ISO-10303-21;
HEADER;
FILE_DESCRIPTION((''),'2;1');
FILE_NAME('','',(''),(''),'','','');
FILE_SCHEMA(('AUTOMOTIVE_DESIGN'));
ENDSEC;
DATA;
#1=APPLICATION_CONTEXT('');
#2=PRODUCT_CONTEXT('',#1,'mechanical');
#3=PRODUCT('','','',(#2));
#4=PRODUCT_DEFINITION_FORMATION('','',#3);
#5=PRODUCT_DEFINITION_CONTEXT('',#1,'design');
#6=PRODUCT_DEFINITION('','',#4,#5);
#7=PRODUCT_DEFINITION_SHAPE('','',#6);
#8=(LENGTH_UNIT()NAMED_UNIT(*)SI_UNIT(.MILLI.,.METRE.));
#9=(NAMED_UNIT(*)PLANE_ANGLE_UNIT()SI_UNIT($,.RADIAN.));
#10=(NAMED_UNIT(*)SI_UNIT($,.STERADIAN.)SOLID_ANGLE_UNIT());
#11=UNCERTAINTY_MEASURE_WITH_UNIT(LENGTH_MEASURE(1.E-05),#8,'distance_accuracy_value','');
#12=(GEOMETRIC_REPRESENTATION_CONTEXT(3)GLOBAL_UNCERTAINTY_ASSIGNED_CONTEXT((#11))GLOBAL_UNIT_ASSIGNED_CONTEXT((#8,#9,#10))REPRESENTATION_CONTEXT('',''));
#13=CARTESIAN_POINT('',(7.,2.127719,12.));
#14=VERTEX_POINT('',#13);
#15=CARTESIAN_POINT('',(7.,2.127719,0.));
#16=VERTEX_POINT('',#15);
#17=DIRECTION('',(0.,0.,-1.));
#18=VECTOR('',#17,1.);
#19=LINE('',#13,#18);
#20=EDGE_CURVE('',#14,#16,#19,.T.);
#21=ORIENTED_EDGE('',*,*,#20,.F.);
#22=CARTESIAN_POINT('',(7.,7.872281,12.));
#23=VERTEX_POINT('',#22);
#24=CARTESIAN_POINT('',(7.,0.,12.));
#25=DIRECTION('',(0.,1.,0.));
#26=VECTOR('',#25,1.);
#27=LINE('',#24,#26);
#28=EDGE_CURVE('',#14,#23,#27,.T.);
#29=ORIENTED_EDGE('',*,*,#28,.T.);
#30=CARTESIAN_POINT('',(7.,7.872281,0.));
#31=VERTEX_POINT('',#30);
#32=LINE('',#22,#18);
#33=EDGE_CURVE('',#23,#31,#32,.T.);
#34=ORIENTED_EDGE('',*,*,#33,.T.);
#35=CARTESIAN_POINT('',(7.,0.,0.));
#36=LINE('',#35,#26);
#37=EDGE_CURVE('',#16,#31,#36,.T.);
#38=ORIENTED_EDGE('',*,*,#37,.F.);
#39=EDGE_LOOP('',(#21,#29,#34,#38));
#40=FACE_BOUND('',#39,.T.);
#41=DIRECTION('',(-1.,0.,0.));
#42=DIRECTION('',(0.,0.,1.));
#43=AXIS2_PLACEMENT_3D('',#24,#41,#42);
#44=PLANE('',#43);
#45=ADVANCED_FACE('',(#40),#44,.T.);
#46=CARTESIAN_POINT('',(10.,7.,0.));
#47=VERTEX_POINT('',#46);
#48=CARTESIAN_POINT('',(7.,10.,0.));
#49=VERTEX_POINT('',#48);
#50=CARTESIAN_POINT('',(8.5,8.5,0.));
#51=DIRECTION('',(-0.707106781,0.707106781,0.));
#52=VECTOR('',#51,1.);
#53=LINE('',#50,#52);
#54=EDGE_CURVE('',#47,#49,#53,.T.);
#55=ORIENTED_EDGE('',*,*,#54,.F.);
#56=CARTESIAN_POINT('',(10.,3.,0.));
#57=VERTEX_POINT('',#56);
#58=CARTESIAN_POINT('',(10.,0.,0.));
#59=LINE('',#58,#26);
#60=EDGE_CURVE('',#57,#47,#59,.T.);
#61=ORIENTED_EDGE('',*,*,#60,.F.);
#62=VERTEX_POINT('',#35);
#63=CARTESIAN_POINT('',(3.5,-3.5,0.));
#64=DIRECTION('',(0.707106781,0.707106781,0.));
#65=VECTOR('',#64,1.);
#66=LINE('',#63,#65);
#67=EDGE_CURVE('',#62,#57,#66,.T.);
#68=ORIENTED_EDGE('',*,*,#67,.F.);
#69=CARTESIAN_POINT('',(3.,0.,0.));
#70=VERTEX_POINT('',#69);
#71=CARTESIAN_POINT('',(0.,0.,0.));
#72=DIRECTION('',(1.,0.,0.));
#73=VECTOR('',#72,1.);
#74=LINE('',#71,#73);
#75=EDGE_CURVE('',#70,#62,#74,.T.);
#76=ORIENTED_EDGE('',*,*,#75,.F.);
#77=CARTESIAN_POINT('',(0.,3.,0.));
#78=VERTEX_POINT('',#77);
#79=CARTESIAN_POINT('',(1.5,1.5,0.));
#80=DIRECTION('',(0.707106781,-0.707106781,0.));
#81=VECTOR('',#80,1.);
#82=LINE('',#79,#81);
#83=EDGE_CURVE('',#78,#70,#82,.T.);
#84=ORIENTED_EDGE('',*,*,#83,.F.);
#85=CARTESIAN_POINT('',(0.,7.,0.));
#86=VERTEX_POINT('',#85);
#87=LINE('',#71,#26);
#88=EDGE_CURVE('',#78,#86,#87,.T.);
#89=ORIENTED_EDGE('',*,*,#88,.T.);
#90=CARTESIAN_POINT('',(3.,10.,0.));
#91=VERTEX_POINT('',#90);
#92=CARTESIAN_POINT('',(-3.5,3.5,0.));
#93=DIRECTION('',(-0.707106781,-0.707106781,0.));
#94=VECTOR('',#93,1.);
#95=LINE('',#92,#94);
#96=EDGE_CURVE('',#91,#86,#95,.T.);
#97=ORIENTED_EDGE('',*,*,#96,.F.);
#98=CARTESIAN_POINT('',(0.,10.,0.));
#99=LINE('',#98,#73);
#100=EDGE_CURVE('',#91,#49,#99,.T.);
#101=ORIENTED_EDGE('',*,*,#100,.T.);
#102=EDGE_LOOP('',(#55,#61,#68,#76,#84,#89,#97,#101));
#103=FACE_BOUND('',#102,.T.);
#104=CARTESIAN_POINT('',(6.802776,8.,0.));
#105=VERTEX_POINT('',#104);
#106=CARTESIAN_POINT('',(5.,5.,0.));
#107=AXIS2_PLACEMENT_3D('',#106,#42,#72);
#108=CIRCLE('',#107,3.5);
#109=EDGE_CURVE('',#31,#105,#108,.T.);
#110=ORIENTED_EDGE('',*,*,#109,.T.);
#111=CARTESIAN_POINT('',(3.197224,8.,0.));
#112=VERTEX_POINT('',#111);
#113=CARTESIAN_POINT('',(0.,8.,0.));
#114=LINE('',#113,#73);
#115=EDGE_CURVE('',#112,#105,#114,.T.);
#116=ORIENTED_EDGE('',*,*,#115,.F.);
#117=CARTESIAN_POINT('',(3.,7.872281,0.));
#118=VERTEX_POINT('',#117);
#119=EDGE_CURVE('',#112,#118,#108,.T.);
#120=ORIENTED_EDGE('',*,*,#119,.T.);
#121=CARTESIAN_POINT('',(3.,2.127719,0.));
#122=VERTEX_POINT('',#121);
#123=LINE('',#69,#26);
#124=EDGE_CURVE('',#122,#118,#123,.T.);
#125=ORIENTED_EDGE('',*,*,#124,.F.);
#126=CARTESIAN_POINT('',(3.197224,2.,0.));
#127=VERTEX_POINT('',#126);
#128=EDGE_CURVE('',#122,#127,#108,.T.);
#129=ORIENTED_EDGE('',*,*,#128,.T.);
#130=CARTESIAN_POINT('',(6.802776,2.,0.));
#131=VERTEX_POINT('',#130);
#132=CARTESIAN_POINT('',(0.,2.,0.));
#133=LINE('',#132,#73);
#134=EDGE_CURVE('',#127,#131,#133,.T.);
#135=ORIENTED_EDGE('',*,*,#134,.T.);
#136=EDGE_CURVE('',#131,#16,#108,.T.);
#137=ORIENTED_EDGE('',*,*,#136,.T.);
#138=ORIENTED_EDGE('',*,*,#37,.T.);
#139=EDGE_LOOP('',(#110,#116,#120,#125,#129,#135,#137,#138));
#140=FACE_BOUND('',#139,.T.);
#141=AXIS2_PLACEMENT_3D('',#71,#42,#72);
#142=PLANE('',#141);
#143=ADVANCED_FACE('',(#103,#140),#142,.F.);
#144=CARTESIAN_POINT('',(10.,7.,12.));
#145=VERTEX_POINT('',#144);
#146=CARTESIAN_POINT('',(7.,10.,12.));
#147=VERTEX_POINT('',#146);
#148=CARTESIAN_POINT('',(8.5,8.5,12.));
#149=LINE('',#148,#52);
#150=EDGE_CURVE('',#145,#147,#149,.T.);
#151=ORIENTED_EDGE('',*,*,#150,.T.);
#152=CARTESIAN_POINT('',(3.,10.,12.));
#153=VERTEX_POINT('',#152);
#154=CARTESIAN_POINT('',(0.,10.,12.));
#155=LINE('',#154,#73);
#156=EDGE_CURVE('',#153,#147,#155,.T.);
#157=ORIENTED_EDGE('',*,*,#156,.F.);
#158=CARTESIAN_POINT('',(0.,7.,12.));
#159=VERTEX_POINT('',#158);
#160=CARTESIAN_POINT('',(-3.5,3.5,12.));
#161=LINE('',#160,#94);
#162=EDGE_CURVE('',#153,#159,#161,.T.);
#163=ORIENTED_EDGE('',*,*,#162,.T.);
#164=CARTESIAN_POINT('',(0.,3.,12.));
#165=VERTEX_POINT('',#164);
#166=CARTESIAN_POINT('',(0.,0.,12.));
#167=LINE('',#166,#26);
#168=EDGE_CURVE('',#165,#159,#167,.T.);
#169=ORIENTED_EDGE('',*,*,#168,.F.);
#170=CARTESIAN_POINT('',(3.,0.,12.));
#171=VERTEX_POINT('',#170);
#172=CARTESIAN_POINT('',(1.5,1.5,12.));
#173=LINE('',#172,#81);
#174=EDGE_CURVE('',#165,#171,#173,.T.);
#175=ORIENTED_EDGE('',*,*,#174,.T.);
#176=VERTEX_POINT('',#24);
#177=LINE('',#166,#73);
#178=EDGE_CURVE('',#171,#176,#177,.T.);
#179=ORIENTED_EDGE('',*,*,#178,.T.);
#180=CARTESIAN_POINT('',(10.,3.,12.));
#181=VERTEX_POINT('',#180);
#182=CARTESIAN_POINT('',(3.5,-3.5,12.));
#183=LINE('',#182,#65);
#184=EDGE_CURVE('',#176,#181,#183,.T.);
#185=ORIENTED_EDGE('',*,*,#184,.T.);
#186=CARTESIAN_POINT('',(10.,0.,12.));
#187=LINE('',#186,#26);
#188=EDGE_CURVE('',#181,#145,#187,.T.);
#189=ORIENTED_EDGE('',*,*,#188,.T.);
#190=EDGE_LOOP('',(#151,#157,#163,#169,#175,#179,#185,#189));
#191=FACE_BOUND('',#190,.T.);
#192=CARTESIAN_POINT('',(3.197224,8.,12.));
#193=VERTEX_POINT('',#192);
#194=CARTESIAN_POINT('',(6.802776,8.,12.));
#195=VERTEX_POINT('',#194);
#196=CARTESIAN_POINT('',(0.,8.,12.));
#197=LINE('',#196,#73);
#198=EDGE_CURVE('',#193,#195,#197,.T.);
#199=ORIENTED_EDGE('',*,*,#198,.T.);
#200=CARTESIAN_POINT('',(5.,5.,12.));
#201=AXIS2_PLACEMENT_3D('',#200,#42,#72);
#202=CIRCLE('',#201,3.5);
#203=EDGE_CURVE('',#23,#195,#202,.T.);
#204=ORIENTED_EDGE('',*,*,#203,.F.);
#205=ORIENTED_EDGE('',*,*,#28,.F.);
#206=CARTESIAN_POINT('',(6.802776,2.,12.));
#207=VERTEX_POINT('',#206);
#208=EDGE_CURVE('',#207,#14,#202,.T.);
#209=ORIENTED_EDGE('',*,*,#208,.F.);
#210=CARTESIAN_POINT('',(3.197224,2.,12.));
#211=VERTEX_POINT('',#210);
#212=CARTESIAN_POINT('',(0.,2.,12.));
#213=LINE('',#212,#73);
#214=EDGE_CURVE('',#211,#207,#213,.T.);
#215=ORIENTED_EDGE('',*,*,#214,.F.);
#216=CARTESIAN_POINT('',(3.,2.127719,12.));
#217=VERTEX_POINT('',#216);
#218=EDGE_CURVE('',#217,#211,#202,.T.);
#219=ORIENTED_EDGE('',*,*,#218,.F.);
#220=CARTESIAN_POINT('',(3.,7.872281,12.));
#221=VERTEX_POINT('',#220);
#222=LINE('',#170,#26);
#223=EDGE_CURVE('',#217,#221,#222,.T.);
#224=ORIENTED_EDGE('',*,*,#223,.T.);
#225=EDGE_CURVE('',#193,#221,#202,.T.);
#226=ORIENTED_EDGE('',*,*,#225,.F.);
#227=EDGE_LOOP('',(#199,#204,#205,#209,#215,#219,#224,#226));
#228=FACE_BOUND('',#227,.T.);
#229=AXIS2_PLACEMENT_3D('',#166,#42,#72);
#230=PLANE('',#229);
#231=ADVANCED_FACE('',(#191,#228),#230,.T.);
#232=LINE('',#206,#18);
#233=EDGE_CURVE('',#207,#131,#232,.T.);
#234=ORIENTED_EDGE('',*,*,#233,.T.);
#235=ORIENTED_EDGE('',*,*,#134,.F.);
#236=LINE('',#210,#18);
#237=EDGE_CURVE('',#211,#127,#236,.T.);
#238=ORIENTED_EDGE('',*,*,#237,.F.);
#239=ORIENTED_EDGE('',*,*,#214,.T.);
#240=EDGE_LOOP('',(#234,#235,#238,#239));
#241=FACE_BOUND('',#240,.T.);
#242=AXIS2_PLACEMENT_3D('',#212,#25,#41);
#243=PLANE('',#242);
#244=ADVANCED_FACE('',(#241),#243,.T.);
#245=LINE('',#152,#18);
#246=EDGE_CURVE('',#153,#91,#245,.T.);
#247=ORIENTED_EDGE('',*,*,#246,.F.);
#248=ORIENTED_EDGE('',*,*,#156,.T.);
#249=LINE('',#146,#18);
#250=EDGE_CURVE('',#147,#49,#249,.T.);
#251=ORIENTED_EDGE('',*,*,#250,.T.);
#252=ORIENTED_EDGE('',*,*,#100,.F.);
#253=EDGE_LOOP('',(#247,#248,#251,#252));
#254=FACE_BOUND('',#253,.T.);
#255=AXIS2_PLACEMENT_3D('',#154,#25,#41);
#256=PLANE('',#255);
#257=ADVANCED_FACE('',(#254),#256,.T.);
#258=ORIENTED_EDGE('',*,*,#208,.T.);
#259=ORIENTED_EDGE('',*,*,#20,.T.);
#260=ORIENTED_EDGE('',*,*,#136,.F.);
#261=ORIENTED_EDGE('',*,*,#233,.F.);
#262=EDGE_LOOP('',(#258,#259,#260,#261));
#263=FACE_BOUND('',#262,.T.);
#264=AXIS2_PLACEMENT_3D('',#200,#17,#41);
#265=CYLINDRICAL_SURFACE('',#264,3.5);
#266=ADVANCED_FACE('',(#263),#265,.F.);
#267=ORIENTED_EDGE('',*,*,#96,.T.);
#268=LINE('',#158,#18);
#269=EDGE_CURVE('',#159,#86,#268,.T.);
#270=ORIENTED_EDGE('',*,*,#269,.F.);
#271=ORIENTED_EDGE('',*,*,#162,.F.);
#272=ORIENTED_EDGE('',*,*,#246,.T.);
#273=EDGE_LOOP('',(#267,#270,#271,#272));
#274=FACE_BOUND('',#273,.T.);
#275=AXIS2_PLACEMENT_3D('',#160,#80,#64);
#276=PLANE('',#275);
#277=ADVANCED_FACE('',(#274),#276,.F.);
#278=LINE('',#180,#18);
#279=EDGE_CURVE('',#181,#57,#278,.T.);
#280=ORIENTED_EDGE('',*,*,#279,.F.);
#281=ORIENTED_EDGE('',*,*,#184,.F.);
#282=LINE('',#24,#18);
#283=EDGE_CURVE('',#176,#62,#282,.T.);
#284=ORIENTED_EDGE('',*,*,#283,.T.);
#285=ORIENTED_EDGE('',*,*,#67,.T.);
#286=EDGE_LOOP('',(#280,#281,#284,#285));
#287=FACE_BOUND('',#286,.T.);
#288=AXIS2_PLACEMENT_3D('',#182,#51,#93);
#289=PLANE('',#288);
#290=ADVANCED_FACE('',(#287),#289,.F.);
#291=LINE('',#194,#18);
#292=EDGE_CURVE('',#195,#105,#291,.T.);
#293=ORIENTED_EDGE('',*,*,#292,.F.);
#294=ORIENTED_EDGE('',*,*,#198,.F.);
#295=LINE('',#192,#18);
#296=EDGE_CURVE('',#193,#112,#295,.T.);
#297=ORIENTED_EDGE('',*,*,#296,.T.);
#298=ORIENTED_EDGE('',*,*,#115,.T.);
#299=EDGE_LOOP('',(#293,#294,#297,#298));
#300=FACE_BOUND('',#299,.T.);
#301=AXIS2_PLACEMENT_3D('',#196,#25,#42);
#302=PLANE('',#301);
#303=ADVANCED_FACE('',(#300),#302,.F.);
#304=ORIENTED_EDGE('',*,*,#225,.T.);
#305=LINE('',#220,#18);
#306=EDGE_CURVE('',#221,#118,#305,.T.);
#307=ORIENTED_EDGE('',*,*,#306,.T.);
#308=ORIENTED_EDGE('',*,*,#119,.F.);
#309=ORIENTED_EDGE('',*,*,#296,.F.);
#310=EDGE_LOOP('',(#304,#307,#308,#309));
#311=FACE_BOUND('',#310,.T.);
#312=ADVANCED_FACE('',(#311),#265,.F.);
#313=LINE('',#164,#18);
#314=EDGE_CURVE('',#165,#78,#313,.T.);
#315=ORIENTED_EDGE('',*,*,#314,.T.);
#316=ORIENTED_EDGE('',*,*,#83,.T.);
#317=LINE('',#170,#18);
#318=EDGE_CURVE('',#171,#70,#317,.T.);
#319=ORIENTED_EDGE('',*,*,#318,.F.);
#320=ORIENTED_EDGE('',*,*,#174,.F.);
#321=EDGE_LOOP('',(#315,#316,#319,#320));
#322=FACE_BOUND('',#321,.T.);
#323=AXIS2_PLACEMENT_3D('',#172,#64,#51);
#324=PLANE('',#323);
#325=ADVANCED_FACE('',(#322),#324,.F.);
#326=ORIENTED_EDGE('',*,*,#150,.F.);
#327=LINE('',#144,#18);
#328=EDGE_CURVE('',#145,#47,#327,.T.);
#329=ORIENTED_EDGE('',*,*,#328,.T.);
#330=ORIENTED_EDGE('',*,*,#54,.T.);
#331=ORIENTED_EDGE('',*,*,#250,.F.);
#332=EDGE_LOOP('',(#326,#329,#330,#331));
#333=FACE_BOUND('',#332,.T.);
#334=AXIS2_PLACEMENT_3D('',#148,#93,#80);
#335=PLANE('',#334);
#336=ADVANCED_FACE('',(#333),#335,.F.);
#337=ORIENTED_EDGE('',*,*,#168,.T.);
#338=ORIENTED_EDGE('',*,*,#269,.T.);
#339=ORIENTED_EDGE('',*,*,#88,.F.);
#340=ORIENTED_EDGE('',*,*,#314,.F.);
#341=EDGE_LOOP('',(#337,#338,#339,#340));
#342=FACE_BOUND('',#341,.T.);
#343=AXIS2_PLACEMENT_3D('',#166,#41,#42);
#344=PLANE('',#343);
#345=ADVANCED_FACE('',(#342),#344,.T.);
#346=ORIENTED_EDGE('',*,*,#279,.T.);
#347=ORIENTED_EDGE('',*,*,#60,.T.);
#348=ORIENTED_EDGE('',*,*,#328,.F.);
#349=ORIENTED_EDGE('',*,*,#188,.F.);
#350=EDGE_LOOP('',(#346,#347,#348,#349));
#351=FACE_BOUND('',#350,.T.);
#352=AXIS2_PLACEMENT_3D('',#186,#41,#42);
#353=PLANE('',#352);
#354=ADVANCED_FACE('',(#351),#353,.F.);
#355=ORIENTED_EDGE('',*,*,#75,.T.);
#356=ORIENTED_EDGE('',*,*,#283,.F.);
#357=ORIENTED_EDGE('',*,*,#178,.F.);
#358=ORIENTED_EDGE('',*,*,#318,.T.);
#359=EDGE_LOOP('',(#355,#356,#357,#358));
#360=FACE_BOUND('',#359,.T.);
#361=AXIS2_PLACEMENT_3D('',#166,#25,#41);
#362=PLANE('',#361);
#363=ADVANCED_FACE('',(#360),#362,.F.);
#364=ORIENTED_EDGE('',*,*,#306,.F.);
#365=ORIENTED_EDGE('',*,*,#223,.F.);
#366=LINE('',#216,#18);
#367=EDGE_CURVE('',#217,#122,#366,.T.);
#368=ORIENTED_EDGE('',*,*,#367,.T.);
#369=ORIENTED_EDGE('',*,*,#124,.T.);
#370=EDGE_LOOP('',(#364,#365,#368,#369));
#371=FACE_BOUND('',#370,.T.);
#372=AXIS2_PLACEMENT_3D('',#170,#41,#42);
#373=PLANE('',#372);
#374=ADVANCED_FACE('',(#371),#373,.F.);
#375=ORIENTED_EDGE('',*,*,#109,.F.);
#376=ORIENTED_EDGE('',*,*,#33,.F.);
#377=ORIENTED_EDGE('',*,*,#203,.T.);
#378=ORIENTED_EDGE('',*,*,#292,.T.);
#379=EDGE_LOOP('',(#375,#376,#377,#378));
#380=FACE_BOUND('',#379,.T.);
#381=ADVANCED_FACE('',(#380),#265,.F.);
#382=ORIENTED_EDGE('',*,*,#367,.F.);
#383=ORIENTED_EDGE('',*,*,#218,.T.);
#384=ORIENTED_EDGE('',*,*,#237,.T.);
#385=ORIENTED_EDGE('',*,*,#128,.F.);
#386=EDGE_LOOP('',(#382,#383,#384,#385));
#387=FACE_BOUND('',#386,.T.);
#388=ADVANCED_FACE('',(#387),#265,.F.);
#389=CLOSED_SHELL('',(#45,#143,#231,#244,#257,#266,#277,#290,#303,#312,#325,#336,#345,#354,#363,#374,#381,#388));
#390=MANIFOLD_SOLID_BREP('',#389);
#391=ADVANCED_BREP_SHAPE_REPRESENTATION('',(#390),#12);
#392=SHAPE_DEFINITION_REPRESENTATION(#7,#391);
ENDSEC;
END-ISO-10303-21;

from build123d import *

# Parameters (mm, degrees)
SKETCH1_R           = 3.5
BOSS_EXTRUDE1_DEPTH = 12


with BuildPart() as part:
    # Sketch1 → Boss-Extrude1 (new body)
    # profile 1 of 5: a face of its own
    with BuildSketch(Plane(origin=(0, 0, 0), x_dir=(0, 1, 0), z_dir=(0, 0, 1))):
        Polygon((10, -3), (10, -7), (7, -10), (3, -10), (0, -7), (0, -3), (3, 0), (7, 0), align=None)
        with Locations((5, -5)):
            Circle(SKETCH1_R, mode=Mode.SUBTRACT)
    # profile 2 of 5: a face of its own
    with BuildSketch(Plane(origin=(0, 0, 0), x_dir=(0, 1, 0), z_dir=(0, 0, 1))):
        with BuildLine():
            ThreePointArc((7.872281323, -3), (5, -1.5), (2.127718677, -3))
            Line((2.127718677, -3), (7.872281323, -3))
        make_face()
    # profile 3 of 5: a face of its own
    with BuildSketch(Plane(origin=(0, 0, 0), x_dir=(0, 1, 0), z_dir=(0, 0, 1))):
        with BuildLine():
            Line((7.872281323, -7), (2.127718677, -7))
            ThreePointArc((2.127718677, -7), (5, -8.5), (7.872281323, -7))
        make_face()
    # profile 4 of 5: a face of its own
    with BuildSketch(Plane(origin=(0, 0, 0), x_dir=(0, 1, 0), z_dir=(0, 0, 1))):
        with BuildLine():
            Line((2, -6.802775638), (2, -3.197224362))
            ThreePointArc((2, -3.197224362), (1.5, -5), (2, -6.802775638))
        make_face()
    # profile 5 of 5: a face of its own
    with BuildSketch(Plane(origin=(0, 0, 0), x_dir=(0, 1, 0), z_dir=(0, 0, 1))):
        with BuildLine():
            ThreePointArc((8.5, -5), (8.372684391, -4.064585653), (8, -3.197224362))
            Line((8, -3.197224362), (8, -6.802775638))
            ThreePointArc((8, -6.802775638), (8.372684391, -5.935414347), (8.5, -5))
        make_face()
    extrude(amount=BOSS_EXTRUDE1_DEPTH)


solid = part.part
